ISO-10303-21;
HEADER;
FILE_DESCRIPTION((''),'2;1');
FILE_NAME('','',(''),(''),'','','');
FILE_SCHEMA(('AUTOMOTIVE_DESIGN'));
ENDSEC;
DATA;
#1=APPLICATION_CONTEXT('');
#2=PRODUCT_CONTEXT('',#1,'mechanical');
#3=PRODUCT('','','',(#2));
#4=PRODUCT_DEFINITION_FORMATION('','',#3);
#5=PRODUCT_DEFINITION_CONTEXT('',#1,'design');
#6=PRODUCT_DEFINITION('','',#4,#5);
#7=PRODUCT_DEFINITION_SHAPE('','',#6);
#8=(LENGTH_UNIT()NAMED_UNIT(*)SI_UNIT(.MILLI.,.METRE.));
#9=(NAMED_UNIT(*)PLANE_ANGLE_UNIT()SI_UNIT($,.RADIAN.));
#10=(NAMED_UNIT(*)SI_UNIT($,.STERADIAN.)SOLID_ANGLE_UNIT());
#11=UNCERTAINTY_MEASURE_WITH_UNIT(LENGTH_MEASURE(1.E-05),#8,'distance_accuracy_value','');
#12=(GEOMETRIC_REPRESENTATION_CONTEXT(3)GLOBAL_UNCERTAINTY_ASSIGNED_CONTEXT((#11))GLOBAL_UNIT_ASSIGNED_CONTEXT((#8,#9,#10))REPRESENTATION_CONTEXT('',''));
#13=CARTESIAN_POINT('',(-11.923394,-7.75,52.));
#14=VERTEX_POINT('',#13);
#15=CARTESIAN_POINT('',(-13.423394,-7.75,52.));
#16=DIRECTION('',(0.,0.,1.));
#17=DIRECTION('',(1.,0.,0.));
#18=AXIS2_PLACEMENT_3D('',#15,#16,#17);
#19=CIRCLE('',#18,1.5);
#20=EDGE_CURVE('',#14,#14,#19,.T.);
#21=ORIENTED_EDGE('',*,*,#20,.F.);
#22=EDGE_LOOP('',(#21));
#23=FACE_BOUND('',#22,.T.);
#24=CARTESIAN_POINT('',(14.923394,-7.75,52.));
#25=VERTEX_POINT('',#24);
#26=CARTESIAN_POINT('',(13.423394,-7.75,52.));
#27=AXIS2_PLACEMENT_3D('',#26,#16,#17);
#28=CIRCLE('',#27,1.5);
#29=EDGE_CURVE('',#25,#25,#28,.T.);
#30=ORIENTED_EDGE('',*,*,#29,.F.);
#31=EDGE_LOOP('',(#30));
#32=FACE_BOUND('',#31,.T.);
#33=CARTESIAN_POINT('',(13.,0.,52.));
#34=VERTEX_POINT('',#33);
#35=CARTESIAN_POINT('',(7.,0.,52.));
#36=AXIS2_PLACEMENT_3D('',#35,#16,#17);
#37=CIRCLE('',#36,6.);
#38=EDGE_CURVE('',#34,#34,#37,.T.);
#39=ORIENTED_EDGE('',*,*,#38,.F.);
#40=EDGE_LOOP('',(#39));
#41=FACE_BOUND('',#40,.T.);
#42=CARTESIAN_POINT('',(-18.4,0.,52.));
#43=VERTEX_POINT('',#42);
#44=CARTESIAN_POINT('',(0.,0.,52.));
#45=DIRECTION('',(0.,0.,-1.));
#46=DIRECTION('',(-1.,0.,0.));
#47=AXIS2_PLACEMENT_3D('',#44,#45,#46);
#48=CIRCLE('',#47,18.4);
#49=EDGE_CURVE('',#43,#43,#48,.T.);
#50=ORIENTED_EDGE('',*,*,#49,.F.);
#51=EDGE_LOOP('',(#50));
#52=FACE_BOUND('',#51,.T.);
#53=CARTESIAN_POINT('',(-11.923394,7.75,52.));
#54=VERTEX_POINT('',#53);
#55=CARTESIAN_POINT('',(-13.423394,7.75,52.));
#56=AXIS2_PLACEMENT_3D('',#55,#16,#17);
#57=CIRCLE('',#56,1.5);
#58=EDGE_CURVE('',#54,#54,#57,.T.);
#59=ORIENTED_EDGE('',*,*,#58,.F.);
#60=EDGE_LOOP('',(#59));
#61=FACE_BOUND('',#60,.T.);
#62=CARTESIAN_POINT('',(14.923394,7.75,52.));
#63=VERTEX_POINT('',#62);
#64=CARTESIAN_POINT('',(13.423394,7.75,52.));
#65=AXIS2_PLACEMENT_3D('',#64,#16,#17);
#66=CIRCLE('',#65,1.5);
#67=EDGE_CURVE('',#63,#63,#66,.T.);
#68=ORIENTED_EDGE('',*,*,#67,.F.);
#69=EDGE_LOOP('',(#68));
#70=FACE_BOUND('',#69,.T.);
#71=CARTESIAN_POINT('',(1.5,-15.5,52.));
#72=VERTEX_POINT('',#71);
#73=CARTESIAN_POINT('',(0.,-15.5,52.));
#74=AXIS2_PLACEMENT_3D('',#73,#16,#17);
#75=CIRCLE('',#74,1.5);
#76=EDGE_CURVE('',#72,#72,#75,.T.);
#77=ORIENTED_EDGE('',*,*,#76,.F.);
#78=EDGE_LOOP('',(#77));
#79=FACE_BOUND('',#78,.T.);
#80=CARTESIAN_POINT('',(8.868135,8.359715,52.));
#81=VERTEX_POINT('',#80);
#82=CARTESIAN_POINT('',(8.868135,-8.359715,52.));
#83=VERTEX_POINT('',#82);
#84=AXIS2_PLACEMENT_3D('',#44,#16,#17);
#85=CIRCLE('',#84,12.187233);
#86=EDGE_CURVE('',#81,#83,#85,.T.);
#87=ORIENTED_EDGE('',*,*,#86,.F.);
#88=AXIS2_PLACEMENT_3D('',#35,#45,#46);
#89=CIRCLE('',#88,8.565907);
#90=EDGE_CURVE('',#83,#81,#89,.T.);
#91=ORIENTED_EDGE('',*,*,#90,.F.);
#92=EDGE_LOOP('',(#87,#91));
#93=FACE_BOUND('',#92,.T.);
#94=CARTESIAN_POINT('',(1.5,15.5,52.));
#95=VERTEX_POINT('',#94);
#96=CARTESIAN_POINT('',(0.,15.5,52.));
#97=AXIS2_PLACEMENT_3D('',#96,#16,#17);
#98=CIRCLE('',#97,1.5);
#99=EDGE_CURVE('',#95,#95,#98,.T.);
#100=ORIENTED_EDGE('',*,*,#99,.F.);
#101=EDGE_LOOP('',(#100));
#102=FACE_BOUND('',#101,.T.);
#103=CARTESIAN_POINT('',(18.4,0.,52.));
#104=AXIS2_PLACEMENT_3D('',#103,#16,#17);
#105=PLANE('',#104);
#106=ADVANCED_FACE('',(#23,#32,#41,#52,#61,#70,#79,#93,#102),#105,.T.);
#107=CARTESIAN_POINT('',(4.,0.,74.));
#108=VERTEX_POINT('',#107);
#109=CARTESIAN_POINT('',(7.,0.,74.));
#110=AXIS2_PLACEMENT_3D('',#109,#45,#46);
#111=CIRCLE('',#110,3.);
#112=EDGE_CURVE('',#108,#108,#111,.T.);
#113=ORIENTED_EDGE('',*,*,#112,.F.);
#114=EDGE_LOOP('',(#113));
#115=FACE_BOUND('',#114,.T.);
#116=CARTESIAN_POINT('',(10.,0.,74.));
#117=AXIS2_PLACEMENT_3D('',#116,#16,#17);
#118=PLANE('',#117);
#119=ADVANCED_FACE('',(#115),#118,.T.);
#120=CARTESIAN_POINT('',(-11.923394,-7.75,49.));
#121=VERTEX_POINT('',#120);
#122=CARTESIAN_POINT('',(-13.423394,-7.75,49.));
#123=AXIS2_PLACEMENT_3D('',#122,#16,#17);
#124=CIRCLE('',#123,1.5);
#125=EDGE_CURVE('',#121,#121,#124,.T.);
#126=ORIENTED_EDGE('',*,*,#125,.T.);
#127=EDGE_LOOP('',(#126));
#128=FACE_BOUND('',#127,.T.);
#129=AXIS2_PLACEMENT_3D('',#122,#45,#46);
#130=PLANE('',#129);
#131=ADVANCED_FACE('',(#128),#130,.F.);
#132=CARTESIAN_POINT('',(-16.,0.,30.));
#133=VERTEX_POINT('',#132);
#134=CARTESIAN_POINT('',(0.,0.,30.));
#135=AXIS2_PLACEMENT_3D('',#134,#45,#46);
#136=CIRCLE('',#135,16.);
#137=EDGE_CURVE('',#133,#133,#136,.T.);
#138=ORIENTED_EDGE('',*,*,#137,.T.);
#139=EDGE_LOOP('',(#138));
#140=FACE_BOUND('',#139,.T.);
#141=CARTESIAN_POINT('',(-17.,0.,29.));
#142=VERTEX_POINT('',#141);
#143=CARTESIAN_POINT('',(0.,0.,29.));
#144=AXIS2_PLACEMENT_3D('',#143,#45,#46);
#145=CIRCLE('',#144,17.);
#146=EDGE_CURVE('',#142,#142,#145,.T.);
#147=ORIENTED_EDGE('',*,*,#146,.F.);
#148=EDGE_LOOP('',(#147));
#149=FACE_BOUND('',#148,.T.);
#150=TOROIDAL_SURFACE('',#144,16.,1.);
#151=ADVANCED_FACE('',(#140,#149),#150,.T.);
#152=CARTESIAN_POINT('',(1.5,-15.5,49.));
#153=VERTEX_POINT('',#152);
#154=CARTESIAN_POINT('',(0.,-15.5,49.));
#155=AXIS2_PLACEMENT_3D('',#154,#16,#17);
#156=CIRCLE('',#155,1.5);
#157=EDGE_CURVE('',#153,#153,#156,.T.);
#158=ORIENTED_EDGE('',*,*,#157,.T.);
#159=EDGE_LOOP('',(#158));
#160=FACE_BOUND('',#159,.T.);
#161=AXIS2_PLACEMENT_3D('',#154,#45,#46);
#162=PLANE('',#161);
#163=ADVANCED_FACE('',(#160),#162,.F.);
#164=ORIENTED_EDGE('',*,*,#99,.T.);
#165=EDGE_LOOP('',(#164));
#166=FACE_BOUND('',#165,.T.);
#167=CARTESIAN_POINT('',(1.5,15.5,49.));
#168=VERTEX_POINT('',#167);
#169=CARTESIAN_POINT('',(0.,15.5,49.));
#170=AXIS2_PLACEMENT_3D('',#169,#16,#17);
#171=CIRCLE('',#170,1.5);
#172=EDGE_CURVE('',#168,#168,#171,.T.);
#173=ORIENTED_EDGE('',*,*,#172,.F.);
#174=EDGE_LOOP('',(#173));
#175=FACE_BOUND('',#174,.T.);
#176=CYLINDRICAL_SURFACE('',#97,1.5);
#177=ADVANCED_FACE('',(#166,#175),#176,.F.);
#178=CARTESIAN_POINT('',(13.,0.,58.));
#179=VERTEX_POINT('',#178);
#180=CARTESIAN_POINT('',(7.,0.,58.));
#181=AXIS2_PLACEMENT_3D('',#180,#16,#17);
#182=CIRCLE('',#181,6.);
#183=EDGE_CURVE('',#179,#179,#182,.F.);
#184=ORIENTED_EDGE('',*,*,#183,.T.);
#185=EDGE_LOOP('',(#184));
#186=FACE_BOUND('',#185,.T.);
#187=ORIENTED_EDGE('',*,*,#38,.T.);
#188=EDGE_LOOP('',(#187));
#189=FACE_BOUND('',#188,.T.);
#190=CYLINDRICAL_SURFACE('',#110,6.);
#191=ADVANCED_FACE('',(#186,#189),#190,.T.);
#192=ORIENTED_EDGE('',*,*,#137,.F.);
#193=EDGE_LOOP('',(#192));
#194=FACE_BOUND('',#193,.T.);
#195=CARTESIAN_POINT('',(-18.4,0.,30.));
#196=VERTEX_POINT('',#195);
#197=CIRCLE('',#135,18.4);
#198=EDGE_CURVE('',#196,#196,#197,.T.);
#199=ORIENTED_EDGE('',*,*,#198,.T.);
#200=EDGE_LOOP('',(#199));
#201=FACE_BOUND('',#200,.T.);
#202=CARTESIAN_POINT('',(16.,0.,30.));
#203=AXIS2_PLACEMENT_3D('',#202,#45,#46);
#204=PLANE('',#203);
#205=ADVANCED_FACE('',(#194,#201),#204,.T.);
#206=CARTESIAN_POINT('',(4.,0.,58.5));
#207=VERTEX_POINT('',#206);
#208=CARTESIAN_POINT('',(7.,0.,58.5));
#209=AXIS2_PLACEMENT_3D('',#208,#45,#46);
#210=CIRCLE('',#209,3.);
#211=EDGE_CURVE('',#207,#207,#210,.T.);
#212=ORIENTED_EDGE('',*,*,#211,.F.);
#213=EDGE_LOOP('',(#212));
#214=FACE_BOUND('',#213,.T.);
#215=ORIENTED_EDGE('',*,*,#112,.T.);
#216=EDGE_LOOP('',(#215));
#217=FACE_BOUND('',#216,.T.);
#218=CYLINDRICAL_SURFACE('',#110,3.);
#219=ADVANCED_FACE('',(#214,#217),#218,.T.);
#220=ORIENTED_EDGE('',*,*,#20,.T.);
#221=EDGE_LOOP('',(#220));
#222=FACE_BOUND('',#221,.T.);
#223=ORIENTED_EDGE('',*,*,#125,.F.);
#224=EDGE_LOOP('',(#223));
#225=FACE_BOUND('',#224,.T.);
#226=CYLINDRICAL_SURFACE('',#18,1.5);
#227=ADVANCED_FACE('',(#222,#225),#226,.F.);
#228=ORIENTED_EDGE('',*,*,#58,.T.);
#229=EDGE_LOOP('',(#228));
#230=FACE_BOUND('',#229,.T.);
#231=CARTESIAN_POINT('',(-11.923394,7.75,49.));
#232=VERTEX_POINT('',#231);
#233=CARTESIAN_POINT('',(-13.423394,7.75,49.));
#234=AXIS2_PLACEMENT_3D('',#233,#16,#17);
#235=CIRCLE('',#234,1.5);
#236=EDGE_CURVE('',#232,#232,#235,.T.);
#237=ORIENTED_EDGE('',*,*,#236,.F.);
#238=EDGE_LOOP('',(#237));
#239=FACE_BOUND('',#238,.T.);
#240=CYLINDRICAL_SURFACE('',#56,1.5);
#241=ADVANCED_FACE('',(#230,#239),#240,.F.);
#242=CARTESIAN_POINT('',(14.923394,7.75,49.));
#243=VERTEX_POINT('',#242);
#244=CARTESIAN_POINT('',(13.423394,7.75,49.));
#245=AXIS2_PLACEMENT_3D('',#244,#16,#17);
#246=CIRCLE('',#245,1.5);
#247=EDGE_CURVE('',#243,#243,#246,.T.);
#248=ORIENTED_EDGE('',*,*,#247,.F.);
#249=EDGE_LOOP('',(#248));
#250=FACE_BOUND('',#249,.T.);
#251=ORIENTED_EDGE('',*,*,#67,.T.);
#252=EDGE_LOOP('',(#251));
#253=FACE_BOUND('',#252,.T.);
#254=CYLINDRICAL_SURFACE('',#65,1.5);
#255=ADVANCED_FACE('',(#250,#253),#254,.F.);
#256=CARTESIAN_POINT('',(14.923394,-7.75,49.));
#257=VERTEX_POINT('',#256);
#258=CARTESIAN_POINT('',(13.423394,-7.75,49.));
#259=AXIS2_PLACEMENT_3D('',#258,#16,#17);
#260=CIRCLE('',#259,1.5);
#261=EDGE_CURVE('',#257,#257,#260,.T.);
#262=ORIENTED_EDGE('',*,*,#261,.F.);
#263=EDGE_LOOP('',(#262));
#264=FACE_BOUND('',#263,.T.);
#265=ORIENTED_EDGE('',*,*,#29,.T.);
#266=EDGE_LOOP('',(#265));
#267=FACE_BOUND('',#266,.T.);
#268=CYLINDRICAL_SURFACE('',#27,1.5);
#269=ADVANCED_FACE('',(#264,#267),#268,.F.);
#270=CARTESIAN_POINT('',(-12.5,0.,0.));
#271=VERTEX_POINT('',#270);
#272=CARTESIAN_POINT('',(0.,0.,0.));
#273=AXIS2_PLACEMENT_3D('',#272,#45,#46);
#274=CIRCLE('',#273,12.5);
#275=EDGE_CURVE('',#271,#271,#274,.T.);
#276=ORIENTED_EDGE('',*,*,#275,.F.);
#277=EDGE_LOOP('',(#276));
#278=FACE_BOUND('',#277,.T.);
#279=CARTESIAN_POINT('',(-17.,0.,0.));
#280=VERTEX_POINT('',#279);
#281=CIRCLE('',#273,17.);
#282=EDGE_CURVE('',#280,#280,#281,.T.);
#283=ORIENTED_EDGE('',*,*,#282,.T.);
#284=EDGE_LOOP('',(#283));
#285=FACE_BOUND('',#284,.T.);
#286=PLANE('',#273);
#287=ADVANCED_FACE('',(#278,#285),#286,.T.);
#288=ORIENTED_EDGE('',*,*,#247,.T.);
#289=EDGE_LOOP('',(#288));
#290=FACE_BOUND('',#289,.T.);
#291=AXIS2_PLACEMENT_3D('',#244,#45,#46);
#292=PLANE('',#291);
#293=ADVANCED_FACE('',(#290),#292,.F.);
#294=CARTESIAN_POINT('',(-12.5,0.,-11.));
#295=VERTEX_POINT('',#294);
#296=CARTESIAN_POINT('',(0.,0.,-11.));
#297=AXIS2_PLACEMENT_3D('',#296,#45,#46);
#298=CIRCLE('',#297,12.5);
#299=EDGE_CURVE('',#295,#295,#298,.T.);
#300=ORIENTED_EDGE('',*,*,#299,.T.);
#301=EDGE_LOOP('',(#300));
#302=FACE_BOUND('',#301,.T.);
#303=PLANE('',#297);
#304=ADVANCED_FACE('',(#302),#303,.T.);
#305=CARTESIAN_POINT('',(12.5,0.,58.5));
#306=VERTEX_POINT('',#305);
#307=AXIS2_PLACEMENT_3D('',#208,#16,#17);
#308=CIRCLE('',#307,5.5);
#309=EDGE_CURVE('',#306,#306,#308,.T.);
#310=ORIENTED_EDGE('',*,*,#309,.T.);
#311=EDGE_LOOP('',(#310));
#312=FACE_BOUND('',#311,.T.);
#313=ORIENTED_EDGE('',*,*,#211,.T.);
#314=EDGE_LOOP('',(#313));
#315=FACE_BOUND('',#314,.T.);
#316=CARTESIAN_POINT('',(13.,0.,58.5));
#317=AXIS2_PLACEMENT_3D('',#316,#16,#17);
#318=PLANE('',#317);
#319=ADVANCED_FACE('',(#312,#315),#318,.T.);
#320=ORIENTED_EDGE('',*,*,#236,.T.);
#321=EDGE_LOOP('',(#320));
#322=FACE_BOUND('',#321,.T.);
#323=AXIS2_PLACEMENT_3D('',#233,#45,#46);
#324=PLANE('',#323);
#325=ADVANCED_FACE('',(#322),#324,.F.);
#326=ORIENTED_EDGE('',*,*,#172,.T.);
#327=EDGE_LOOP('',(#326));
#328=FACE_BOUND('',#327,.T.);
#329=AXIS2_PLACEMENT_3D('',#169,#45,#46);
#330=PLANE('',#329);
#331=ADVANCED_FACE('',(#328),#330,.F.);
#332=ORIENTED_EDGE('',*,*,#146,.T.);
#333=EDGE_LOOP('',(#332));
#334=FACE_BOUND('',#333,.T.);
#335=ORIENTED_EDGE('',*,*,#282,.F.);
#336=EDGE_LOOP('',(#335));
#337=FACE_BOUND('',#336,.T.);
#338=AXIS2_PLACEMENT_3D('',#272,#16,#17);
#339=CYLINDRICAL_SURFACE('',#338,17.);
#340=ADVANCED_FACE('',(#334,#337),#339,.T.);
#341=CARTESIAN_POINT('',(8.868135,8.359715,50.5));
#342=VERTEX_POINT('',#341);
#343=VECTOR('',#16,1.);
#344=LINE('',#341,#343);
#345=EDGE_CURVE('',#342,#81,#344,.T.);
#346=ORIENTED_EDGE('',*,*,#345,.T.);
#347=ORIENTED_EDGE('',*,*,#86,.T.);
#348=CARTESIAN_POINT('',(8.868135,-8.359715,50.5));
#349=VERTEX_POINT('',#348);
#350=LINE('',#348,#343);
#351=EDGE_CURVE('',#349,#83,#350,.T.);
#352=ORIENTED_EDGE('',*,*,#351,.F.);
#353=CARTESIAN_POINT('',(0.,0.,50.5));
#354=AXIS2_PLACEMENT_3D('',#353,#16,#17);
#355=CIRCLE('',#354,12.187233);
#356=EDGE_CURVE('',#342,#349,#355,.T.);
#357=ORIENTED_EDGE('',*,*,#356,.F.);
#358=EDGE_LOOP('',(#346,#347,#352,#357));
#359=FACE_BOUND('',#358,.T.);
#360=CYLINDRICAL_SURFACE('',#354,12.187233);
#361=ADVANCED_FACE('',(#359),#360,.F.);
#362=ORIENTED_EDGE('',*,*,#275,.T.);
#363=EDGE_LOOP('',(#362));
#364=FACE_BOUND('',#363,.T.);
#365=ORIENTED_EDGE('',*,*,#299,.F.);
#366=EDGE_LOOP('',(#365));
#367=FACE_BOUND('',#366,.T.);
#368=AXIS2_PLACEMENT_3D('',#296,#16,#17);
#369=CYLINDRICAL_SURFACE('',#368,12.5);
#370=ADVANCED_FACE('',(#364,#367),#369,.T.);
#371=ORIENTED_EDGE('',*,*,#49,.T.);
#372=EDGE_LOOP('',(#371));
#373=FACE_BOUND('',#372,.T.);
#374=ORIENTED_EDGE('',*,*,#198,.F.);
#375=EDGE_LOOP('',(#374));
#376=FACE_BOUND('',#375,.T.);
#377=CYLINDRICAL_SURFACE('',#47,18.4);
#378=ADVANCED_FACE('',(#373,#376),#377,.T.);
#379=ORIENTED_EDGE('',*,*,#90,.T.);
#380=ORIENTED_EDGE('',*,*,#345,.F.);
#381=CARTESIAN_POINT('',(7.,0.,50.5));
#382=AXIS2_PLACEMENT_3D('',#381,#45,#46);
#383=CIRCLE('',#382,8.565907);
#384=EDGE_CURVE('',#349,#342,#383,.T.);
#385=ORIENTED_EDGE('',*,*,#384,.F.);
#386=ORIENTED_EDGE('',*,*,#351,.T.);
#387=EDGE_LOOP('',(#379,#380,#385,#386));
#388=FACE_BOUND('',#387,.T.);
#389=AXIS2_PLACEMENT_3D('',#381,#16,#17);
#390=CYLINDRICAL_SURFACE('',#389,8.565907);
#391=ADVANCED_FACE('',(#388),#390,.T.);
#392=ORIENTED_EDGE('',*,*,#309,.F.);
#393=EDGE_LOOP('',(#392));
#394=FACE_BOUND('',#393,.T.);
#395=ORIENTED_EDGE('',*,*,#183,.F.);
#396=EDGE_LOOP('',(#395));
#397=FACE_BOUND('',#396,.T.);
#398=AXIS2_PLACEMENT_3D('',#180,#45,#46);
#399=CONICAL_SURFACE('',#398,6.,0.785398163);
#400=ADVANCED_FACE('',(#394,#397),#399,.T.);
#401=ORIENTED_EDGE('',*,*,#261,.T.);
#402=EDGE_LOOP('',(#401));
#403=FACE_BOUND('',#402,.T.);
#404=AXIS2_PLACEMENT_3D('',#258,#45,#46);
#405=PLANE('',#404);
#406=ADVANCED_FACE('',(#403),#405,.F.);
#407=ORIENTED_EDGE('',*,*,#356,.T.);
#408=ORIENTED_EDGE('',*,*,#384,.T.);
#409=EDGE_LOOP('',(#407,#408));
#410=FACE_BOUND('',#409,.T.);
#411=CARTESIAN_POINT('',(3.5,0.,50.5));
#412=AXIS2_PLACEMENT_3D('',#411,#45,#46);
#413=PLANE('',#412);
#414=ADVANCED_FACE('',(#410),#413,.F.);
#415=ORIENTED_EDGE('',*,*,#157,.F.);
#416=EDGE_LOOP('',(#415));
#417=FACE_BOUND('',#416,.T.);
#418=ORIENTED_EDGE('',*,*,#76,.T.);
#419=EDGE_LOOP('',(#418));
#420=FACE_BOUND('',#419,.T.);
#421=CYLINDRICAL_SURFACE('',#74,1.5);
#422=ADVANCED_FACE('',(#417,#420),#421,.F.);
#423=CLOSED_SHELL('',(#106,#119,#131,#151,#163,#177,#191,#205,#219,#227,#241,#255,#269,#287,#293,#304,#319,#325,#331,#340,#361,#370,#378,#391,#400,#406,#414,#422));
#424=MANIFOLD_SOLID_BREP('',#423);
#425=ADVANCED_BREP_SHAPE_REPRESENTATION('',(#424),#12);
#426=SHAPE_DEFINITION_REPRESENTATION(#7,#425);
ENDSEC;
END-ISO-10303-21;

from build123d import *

# Parameters (mm, degrees)
SKETCH2_R                    = 17
BOSS_EXTRUDE1_DEPTH          = 29
SKETCH3_R                    = 12.5
BOSS_EXTRUDE2_DEPTH          = 11
CUT_EXTRUDE1_DEPTH           = 1.5
F_3_0_3_DIAMETER_HOLE1_D     = 3
F_3_0_3_DIAMETER_HOLE1_DEPTH = 3
CHAMFER1_SIZE                = 0.5


with BuildPart() as part:
    # Sketch1 → Revolve1 (revolve)
    with BuildSketch(Plane.XZ, mode=Mode.PRIVATE) as revolve1_sk:
        with BuildLine():
            Line((18.4, 52), (0, 52))
            Line((0, 52), (0, 29))
            Line((0, 29), (17, 29))
            ThreePointArc((17, 29), (16.707106781, 29.707106781), (16, 30))
            Line((16, 30), (18.4, 30))
            Line((18.4, 30), (18.4, 52))
        make_face()
    revolve(revolve1_sk.sketch.rotate(Axis((0, 0, 52), (0, 0, -1)), 180), axis=Axis((0, 0, 52), (0, 0, -1)))

    # Sketch2 → Boss-Extrude1 (add)
    with BuildSketch(Plane(origin=(0, 0, 29), x_dir=(-1, 0, 0), z_dir=(0, 0, -1))):
        Circle(SKETCH2_R)
    extrude(amount=BOSS_EXTRUDE1_DEPTH)

    # Sketch3 → Boss-Extrude2 (add)
    with BuildSketch(Plane(origin=(0, 0, 0), x_dir=(-1, 0, 0), z_dir=(0, 0, -1))):
        Circle(SKETCH3_R)
    extrude(amount=BOSS_EXTRUDE2_DEPTH)

    # Sketch4 → Cut-Extrude1 (cut)
    with BuildSketch(Plane.XY.offset(52)):
        with BuildLine():
            ThreePointArc((8.868134735, 8.359715213), (-12.187233161, 0), (8.868134735, -8.359715213))
            ThreePointArc((8.868134735, -8.359715213), (-1.565907181, 0), (8.868134735, 8.359715213))
        make_face()
    extrude(amount=-CUT_EXTRUDE1_DEPTH, mode=Mode.SUBTRACT)

    # Sketch5 → Revolve2 (revolve)
    with BuildSketch(Plane.XZ, mode=Mode.PRIVATE) as revolve2_sk:
        Polygon((10, 74), (7, 74), (7, 52), (13, 52), (13, 58.5), (10, 58.5), align=None)
    revolve(revolve2_sk.sketch.rotate(Axis((7, 0, 74), (0, 0, -1)), 180), axis=Axis((7, 0, 74), (0, 0, -1)))

    # Ø3.0 (3) Diameter Hole1
    with Locations(Plane.XY.offset(52)):
        with Locations((-13.423393759, 7.75), (-13.423393759, -7.75), (0, -15.5), (13.423393759, -7.75), (13.423393759, 7.75), (0, 15.5)):
            Hole(F_3_0_3_DIAMETER_HOLE1_D / 2, depth=F_3_0_3_DIAMETER_HOLE1_DEPTH)

    # Chamfer1
    chamfer1_edges = [part.edges().sort_by_distance(p)[0] for p in [
        (13, 0, 58.5),
    ]]
    chamfer(chamfer1_edges, length=CHAMFER1_SIZE)


solid = part.part
